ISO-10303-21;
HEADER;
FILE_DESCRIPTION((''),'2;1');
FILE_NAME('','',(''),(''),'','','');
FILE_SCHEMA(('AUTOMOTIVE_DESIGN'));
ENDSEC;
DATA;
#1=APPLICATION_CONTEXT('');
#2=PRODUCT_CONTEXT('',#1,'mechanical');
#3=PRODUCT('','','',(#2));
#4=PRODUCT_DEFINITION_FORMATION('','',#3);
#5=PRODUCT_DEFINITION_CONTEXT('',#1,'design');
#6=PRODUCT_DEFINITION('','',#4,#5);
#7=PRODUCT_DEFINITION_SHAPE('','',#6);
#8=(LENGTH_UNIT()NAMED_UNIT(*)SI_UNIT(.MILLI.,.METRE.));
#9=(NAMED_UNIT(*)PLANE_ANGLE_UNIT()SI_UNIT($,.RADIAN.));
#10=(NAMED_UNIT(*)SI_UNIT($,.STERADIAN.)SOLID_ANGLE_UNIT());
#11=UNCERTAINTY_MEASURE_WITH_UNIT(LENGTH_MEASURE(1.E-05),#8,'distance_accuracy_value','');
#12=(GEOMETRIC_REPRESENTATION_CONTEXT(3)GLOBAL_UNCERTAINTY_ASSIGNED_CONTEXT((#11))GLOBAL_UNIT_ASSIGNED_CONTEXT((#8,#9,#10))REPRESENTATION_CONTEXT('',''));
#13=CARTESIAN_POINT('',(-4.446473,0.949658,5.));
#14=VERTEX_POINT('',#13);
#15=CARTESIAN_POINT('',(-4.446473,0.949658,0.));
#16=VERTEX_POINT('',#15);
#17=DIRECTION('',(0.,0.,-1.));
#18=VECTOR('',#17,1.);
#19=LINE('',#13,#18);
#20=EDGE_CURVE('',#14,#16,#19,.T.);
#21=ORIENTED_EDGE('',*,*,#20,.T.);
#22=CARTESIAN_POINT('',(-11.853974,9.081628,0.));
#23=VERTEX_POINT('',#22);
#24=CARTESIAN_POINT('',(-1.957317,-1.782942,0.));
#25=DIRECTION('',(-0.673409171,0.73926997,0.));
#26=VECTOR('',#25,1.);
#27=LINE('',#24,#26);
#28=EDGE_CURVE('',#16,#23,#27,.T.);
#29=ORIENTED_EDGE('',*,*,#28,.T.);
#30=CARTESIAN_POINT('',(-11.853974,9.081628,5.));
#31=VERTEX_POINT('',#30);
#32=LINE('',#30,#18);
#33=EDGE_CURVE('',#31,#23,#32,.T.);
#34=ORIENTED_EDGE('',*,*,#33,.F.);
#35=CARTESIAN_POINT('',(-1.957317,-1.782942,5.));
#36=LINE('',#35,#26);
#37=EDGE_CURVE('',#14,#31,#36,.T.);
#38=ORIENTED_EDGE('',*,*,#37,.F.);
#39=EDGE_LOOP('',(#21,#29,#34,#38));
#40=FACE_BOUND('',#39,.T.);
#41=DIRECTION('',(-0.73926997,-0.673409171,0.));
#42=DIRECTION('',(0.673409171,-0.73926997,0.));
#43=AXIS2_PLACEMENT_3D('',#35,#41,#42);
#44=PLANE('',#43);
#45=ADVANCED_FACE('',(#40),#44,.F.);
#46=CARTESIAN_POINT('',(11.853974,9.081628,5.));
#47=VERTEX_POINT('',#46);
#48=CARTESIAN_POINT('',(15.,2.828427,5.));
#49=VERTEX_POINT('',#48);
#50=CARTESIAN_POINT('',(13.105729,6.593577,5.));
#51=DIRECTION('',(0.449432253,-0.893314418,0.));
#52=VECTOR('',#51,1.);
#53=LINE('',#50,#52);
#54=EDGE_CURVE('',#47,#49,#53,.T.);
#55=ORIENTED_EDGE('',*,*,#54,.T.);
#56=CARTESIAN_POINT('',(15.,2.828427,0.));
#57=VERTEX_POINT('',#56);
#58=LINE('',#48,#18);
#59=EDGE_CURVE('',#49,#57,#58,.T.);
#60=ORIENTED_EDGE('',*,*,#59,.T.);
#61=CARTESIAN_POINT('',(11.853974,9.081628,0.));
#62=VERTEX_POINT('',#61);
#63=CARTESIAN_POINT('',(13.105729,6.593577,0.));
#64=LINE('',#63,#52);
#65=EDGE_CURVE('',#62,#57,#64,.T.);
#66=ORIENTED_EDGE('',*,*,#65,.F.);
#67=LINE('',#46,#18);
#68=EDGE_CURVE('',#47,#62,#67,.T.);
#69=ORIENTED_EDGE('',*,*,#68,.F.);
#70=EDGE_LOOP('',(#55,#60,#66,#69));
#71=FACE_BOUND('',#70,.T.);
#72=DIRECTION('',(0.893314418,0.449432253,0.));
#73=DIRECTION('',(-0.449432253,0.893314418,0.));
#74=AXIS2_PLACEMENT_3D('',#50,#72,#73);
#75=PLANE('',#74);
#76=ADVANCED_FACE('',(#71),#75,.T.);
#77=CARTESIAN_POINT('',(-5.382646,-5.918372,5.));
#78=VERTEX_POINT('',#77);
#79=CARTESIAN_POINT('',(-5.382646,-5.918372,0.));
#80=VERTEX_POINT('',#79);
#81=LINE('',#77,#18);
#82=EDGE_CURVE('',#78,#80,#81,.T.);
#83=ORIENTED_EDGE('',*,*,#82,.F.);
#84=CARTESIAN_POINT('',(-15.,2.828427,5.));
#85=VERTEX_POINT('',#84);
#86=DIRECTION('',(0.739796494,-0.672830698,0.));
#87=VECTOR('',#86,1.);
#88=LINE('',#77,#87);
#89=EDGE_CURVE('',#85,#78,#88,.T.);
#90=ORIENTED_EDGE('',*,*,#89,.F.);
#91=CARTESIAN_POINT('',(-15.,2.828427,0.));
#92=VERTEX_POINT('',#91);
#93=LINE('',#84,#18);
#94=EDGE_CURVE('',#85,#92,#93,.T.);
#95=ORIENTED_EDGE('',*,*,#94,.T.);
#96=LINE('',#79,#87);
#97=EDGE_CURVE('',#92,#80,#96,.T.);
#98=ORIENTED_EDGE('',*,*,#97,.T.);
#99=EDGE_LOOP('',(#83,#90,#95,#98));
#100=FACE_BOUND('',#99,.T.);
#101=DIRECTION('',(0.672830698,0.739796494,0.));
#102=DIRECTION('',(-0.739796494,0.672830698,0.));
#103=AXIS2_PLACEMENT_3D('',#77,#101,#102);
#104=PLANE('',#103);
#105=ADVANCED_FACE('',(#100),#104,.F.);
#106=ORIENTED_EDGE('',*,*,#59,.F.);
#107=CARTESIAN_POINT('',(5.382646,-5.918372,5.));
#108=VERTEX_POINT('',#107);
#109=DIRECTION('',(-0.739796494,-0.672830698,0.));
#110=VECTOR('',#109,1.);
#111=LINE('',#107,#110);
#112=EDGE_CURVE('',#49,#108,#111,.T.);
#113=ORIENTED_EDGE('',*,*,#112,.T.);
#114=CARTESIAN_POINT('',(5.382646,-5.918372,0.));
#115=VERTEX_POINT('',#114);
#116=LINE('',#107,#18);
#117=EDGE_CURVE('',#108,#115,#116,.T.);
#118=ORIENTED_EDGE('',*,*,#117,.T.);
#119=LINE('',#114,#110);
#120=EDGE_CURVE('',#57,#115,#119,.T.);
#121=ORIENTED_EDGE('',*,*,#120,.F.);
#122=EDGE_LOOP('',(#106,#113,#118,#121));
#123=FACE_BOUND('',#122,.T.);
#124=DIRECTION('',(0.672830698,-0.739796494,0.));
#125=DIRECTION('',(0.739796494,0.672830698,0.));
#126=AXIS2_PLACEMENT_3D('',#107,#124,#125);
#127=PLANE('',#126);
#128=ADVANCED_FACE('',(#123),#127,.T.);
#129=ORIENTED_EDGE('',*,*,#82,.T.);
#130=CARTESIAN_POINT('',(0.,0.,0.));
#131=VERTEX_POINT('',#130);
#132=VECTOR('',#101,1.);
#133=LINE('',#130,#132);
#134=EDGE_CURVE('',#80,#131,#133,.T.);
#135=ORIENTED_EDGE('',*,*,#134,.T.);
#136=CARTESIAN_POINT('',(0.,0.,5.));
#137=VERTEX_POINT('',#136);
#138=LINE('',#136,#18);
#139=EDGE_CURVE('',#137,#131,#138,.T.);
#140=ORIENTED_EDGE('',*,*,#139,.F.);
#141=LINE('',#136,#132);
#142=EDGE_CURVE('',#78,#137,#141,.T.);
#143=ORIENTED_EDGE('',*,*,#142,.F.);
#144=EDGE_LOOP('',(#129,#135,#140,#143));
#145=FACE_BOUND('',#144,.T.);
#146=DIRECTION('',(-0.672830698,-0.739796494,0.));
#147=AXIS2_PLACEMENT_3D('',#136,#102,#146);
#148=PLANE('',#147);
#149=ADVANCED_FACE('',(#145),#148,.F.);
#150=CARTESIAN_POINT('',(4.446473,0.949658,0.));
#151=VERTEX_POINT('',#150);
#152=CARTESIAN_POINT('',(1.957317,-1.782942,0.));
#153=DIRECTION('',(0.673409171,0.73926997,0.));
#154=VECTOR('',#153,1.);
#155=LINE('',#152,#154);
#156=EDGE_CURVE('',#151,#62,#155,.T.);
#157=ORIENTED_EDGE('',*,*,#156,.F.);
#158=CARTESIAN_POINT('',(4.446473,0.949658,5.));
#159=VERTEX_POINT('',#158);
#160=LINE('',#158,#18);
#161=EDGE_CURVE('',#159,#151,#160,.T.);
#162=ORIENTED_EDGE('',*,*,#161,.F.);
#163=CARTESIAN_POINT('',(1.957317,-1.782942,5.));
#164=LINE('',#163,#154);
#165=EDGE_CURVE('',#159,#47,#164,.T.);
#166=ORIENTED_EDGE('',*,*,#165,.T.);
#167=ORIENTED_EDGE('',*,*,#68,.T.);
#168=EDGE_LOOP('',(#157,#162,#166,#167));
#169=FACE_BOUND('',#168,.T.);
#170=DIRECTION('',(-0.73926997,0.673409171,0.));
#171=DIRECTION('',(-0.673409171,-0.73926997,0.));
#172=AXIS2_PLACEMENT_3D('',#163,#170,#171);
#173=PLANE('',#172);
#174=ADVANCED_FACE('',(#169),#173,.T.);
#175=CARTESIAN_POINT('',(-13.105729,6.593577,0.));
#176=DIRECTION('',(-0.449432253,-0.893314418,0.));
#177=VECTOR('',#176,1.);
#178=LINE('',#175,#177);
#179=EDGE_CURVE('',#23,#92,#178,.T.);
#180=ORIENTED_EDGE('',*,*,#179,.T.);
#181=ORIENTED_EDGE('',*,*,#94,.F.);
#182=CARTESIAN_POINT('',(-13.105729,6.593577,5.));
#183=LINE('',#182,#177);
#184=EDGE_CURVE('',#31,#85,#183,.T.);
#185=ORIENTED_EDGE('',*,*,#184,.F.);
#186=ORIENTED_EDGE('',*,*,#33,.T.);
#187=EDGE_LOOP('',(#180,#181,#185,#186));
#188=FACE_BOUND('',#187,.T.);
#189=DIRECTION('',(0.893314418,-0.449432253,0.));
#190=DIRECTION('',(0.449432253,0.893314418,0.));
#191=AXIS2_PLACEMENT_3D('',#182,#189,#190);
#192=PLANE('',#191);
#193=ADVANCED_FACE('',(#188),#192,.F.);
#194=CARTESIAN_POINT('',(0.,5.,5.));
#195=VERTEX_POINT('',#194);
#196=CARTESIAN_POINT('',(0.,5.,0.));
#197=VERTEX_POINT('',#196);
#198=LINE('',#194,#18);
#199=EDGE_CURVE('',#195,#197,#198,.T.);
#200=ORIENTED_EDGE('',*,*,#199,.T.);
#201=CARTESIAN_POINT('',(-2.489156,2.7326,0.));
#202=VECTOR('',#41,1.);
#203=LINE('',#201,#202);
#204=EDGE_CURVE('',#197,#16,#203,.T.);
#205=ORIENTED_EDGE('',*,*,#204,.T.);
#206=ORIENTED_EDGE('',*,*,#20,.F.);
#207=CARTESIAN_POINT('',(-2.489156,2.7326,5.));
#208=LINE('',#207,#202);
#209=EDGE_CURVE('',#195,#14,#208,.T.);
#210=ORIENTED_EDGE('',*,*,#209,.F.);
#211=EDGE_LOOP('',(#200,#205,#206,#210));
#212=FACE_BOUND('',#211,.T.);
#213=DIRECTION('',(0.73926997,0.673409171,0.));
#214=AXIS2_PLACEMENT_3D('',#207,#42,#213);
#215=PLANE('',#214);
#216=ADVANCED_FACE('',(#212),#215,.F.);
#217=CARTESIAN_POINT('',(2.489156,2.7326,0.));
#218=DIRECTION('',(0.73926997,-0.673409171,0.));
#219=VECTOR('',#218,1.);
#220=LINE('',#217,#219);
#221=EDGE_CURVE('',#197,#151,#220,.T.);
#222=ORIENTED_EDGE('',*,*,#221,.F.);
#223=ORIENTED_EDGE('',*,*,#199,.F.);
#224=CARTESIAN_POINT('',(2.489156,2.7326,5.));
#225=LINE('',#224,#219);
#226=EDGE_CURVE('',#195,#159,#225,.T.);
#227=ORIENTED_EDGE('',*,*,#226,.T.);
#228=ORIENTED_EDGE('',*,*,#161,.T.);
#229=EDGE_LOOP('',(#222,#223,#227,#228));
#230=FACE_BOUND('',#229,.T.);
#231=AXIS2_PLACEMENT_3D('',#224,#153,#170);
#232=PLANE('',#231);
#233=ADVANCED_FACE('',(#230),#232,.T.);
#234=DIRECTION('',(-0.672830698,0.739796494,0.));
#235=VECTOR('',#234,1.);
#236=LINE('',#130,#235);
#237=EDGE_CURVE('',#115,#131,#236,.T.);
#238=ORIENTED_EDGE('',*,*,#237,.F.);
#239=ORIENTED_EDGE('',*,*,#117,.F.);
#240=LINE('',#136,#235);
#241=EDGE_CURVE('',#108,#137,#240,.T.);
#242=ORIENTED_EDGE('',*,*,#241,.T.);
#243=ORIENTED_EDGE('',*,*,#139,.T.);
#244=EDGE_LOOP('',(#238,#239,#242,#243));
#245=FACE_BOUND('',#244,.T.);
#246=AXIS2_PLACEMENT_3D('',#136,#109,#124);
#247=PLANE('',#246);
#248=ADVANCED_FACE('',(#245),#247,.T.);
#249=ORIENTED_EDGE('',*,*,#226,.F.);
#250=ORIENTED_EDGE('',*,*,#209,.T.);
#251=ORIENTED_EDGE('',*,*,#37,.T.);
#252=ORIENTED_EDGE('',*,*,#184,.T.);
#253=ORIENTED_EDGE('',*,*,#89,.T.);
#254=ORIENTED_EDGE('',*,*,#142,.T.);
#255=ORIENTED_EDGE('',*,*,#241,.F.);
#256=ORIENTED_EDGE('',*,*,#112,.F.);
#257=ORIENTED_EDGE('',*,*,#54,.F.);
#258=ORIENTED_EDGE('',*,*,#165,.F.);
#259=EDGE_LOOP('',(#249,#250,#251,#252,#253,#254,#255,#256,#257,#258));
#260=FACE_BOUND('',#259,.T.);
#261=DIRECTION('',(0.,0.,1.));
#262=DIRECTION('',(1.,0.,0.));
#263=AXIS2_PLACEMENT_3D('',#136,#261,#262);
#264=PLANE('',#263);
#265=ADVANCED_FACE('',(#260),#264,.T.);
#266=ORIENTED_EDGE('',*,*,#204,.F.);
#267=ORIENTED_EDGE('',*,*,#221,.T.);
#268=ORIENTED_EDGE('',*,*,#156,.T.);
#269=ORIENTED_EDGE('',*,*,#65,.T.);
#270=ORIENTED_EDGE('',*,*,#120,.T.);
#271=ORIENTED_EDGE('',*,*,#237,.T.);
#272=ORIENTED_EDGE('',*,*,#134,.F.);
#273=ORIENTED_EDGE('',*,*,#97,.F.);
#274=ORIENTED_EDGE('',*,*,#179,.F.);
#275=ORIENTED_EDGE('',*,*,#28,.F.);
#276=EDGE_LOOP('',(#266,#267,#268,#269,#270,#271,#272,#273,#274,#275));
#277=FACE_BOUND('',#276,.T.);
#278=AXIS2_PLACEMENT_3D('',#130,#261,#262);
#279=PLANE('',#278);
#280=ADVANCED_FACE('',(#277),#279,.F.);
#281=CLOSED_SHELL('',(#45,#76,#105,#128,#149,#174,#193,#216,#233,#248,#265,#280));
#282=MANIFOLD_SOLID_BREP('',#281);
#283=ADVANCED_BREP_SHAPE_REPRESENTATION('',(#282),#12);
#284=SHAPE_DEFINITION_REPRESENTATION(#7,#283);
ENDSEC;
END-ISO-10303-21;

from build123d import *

# Parameters (mm, degrees)
BOSS_EXTRUDE1_DEPTH = 5


with BuildPart() as part:
    # Sketch2 → Boss-Extrude1 (new body)
    with BuildSketch(Plane.XY):
        Polygon((0, 5), (4.44647335, 0.949658378), (11.853974226, 9.081628051), (15, 2.828427125), (5.382645584, -5.918371949), (0, 0), align=None)
        Polygon((-15, 2.828427125), (-5.382645584, -5.918371949), (0, 0), (0, 5), (-4.44647335, 0.949658378), (-11.853974226, 9.081628051), align=None)
    extrude(amount=BOSS_EXTRUDE1_DEPTH)


solid = part.part
